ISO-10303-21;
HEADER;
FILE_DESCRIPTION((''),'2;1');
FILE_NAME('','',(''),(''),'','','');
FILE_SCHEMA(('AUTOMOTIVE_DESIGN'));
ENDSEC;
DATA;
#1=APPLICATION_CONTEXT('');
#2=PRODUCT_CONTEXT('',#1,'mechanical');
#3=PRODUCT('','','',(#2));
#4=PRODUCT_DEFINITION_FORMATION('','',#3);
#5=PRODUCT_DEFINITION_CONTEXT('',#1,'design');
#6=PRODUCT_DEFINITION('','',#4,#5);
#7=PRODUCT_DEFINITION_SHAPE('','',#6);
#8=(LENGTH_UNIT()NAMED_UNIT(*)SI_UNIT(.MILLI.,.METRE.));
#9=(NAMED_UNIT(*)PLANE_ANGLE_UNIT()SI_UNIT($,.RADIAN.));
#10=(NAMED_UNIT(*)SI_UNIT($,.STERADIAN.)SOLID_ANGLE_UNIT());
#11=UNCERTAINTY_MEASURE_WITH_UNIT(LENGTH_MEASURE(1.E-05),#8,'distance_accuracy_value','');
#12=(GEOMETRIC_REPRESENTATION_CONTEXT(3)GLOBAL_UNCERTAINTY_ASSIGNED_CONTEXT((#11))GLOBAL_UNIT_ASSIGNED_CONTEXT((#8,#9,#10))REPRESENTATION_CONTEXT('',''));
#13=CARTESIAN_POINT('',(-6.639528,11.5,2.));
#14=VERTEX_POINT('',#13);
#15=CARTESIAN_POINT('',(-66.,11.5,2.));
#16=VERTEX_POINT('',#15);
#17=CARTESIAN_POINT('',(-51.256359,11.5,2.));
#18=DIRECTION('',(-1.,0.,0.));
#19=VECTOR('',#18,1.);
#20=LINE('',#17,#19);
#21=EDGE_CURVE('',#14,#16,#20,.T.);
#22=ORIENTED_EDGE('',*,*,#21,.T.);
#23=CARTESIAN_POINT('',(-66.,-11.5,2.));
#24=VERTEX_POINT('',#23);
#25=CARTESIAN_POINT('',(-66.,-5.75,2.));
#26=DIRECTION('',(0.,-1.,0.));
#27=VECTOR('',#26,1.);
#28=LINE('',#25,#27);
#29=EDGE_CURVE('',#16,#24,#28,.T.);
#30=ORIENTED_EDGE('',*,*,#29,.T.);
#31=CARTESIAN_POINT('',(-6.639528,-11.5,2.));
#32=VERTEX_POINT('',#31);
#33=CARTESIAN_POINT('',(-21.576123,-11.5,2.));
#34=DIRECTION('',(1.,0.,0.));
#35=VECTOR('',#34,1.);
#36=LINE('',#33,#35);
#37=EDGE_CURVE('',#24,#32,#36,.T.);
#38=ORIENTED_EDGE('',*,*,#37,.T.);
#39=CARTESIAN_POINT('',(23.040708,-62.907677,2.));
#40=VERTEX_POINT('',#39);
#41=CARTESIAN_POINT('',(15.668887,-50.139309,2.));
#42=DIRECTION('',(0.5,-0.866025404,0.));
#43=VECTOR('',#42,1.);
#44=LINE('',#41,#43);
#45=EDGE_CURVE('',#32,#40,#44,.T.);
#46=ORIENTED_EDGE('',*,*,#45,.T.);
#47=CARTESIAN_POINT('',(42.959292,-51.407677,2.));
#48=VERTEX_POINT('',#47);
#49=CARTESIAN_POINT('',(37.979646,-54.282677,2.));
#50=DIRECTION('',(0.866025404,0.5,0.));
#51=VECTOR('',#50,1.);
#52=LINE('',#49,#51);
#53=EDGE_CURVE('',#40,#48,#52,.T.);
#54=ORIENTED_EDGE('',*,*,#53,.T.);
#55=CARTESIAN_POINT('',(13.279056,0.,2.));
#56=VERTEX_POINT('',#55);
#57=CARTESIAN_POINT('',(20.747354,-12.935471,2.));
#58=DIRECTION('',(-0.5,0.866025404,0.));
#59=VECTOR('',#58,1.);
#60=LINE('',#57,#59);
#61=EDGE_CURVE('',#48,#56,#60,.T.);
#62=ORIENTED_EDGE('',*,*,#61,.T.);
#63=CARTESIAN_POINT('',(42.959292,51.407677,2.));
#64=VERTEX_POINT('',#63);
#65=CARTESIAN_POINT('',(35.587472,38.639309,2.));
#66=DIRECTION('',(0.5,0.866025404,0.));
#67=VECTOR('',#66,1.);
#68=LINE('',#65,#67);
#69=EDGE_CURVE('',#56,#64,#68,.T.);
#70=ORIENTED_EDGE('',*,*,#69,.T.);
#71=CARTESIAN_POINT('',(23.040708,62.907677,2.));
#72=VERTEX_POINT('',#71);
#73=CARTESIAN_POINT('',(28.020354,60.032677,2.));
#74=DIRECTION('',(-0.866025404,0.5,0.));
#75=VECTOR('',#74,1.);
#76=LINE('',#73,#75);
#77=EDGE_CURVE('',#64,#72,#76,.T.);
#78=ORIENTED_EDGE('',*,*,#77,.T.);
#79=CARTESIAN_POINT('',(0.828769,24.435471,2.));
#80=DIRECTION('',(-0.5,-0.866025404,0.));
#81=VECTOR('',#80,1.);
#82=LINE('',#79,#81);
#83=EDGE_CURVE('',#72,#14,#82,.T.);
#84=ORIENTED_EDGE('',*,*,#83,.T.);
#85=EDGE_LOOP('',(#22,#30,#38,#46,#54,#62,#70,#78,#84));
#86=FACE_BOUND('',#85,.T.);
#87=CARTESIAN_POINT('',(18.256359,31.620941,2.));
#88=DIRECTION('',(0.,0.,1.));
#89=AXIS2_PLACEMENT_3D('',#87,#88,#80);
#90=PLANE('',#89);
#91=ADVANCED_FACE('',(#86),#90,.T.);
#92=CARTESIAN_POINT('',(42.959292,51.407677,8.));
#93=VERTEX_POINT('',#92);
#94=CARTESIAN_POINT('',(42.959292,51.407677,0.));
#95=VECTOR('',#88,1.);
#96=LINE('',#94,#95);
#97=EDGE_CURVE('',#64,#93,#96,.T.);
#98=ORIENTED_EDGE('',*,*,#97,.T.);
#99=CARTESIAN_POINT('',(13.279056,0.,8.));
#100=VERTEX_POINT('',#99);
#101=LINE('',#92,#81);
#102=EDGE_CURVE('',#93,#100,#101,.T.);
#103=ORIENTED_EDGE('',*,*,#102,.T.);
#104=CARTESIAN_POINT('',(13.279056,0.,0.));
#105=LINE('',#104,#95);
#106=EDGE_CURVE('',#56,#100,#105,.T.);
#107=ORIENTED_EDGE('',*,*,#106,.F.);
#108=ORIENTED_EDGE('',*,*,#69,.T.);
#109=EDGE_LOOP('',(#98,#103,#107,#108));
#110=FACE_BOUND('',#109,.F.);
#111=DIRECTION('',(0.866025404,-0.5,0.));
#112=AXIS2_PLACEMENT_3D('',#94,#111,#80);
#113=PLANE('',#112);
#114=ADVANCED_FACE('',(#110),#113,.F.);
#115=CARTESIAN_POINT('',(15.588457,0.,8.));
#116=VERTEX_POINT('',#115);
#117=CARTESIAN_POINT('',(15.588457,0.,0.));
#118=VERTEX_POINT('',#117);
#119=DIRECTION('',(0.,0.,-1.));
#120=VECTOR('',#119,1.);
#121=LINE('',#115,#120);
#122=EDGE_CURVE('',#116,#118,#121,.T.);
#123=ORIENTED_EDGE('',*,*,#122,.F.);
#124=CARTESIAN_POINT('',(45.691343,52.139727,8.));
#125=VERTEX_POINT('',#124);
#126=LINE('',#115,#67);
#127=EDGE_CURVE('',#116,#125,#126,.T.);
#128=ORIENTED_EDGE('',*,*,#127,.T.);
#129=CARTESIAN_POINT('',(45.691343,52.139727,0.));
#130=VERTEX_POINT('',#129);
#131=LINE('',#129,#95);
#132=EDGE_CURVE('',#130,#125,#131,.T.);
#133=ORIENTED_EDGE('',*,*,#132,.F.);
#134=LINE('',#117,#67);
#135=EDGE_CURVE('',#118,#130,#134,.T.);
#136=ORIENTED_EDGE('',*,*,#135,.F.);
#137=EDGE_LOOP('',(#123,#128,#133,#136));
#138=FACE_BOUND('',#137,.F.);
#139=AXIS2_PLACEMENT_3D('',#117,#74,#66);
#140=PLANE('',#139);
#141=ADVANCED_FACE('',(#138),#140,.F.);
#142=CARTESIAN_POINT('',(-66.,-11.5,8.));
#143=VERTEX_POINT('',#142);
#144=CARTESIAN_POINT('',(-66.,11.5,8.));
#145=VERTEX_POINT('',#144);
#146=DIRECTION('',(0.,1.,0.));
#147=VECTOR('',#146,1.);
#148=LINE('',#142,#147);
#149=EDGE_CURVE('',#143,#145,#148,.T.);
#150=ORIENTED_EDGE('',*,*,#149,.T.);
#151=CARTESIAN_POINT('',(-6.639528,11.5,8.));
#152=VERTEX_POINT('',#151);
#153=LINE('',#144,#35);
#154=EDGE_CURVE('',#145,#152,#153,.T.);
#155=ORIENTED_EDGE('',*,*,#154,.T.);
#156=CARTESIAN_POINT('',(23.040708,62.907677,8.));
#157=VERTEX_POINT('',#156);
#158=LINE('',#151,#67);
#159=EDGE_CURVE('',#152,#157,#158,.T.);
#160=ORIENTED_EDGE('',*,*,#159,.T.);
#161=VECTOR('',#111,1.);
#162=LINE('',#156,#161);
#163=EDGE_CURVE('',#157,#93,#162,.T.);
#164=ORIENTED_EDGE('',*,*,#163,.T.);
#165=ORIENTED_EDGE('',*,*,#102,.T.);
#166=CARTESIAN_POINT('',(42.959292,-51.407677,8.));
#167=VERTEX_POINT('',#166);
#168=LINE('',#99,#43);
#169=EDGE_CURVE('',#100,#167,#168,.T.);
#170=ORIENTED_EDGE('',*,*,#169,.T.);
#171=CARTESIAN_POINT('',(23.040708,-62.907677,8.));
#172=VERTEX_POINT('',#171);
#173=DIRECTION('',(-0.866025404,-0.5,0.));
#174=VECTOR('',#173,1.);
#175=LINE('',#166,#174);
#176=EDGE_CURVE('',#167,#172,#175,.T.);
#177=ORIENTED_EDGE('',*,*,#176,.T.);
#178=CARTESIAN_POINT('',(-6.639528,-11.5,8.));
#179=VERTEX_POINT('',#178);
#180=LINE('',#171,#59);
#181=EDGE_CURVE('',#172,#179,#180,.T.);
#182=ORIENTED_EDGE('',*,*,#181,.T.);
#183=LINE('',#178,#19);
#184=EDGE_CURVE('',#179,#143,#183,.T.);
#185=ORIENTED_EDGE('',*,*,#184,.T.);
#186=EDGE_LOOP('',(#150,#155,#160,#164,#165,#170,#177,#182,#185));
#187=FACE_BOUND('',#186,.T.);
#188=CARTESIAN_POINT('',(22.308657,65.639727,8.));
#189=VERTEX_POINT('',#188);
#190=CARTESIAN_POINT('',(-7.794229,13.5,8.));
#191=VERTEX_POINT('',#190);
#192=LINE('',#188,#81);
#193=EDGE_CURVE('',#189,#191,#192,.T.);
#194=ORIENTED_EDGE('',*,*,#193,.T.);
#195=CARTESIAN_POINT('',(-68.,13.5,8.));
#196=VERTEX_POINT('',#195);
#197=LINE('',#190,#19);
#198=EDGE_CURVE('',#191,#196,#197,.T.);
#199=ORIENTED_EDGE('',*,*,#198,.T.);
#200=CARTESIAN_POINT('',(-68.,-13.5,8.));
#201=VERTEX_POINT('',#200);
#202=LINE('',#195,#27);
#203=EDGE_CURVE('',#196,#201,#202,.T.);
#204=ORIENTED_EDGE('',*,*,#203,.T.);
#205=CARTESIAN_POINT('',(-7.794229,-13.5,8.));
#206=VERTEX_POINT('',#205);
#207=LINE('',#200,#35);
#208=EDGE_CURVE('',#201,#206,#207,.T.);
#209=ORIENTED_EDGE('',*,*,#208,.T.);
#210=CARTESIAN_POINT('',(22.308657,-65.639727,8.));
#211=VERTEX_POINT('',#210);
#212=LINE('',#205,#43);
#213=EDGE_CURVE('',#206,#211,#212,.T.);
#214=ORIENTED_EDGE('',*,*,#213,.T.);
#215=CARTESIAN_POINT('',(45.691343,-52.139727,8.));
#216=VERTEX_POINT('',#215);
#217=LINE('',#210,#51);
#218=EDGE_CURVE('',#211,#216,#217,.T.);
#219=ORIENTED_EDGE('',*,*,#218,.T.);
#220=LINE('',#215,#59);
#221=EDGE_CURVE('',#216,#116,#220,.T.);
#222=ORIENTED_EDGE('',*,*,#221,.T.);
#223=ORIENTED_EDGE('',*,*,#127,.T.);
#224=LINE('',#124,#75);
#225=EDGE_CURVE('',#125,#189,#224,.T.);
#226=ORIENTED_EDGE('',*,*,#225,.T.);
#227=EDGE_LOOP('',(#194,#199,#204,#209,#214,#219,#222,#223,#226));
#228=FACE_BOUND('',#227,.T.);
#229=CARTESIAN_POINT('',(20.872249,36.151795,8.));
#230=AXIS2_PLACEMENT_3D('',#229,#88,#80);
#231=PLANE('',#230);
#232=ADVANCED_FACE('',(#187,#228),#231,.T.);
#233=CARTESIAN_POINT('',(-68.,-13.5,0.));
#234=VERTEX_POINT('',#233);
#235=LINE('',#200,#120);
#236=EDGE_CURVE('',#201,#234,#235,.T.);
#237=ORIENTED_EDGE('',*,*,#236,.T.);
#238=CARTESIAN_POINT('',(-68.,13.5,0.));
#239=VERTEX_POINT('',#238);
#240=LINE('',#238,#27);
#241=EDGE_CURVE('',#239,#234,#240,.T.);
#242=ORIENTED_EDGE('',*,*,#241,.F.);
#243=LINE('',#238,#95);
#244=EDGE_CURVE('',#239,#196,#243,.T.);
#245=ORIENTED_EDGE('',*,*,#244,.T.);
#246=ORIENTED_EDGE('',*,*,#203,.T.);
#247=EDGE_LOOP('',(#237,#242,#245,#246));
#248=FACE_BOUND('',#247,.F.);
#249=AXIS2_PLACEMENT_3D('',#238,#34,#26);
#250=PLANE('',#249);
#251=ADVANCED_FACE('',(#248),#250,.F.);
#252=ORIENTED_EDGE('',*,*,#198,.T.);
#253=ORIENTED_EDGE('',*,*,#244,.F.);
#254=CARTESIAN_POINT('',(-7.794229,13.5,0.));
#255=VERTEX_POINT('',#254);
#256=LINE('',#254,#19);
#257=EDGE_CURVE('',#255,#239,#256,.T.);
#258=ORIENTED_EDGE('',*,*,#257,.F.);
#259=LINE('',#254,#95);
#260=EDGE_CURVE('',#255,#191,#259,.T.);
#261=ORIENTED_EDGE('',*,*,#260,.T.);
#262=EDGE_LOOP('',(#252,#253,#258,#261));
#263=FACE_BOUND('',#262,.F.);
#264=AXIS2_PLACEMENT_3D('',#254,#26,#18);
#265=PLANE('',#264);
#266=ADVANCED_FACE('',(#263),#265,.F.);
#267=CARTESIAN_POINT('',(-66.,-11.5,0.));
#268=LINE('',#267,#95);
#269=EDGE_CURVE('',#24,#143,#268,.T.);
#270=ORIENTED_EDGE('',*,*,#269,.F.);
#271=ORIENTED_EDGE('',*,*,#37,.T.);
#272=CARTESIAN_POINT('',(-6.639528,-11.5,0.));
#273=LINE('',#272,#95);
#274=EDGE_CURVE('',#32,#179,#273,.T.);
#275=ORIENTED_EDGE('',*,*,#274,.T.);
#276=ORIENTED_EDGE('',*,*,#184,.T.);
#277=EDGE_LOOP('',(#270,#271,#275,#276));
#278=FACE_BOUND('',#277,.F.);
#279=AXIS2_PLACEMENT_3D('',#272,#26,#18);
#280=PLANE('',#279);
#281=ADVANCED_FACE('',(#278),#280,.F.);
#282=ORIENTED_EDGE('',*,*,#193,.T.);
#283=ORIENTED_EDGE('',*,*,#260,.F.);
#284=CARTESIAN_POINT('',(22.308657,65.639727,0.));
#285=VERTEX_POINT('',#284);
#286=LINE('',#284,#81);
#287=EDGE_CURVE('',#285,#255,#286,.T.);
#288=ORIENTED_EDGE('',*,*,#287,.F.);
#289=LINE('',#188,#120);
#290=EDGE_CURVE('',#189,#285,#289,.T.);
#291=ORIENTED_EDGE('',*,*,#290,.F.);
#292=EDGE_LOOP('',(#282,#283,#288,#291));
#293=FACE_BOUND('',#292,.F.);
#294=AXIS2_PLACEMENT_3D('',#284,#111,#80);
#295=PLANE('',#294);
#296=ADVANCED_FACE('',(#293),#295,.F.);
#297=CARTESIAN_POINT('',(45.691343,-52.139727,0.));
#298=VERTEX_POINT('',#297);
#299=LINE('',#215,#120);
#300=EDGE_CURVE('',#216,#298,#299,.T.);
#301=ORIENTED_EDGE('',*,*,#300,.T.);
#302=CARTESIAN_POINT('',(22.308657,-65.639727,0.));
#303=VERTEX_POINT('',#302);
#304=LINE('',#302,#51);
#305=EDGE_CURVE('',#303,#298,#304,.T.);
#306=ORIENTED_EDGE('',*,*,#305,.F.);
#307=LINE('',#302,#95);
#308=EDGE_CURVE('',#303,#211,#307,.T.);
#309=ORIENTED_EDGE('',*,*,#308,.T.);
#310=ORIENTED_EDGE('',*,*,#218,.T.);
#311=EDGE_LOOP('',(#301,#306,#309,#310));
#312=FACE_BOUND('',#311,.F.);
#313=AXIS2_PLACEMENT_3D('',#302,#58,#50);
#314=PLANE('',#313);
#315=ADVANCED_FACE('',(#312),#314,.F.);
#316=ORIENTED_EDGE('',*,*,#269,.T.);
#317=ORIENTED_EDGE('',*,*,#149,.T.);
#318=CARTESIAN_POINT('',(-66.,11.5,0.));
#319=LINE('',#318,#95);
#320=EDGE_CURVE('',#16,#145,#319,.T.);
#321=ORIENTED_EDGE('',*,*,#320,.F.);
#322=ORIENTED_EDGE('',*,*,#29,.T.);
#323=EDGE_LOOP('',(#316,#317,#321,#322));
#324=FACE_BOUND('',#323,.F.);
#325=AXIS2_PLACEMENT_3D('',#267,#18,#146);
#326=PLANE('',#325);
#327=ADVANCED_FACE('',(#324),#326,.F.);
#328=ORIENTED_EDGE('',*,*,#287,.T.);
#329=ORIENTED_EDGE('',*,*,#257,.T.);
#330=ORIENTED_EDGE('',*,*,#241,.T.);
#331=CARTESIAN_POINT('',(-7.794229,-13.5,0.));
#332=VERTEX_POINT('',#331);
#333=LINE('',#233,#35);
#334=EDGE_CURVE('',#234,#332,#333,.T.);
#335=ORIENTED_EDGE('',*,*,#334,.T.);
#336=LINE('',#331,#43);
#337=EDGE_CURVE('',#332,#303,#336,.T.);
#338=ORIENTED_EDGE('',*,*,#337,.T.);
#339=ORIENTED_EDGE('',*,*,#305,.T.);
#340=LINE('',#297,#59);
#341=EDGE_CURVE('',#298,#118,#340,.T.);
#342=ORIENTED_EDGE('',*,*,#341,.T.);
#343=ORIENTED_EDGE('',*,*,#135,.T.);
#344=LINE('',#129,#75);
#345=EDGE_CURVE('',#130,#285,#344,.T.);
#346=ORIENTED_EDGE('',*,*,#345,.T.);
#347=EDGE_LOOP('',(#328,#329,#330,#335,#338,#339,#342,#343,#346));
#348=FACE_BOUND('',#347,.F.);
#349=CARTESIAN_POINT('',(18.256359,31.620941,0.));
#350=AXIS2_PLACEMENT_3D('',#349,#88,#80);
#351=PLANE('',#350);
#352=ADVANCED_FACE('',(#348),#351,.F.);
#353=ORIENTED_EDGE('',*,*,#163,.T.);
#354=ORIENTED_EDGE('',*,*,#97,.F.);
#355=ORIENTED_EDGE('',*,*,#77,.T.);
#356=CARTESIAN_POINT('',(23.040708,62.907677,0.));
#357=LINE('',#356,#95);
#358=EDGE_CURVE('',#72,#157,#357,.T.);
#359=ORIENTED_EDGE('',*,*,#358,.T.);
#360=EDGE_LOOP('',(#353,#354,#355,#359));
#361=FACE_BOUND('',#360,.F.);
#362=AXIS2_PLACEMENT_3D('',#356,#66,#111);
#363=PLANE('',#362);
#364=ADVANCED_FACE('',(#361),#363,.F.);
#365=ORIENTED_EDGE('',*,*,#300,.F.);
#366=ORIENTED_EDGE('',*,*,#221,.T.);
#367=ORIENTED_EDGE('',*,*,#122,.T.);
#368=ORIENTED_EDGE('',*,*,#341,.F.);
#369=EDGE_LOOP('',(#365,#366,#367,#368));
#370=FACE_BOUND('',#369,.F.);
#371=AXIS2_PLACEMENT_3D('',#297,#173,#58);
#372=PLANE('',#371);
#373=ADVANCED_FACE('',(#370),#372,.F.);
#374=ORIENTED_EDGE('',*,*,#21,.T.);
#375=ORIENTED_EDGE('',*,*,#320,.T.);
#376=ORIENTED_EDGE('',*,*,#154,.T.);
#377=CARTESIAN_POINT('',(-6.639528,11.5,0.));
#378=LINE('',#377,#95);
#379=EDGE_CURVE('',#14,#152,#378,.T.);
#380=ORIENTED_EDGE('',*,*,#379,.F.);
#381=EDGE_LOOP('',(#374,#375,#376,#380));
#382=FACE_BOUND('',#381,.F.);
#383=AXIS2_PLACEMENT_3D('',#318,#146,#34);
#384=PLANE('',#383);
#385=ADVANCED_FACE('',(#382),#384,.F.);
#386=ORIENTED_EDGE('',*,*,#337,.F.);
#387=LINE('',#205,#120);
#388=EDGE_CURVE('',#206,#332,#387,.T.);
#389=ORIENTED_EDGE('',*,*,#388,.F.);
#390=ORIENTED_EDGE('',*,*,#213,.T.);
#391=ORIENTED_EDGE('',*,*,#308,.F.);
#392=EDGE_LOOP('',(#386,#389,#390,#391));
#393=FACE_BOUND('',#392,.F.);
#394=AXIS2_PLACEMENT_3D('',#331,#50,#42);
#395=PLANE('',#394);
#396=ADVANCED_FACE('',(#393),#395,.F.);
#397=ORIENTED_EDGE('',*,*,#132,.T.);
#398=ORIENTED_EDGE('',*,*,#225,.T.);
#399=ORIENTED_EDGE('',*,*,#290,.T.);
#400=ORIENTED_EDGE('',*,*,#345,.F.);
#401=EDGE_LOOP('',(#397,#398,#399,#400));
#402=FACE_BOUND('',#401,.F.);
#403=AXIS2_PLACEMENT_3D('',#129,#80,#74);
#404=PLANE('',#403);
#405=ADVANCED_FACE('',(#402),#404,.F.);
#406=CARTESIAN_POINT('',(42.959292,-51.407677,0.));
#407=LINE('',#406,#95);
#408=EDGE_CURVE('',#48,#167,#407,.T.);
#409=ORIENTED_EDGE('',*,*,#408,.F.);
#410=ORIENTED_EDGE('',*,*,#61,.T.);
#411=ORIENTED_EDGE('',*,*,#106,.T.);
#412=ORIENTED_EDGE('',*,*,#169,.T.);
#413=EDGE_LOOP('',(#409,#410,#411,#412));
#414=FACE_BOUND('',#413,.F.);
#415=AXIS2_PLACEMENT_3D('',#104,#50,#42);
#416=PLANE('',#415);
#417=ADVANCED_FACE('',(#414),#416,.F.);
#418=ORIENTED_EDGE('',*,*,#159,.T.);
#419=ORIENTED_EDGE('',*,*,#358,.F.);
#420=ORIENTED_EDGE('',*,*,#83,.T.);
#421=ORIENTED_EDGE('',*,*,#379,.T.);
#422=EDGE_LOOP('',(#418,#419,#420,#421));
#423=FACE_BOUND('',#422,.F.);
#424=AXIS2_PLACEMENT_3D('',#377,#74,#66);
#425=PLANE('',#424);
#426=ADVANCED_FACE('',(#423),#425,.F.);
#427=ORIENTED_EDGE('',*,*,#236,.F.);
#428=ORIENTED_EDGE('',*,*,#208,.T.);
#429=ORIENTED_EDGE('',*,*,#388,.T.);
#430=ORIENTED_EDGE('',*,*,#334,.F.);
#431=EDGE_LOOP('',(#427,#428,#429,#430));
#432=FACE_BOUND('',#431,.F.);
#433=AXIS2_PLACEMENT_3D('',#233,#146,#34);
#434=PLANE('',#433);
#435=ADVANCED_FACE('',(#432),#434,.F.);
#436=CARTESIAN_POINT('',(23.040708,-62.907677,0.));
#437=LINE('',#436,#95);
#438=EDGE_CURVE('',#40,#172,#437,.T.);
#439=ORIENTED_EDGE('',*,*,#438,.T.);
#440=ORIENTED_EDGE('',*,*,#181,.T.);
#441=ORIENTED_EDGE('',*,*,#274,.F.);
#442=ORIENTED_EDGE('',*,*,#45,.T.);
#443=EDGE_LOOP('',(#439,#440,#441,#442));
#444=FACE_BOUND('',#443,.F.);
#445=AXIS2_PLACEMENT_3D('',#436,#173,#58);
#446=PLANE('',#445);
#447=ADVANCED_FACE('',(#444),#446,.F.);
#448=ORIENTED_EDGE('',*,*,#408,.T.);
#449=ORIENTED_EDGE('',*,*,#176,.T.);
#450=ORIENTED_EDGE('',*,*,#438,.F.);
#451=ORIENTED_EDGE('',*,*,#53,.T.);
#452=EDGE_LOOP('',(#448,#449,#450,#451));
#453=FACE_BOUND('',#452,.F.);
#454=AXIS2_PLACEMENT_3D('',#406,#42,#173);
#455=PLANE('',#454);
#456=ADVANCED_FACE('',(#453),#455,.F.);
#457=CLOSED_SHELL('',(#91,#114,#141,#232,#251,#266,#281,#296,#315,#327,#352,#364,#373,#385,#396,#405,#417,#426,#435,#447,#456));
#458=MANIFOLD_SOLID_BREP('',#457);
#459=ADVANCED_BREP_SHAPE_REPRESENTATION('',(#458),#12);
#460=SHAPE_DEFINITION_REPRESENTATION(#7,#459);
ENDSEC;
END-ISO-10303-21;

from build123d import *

# Parameters (mm, degrees)
PAD002_DEPTH = 8
PAD_DEPTH    = 2
ARRAY_COUNT  = 3


with BuildPart() as pad002:
    # Sketch002 → Pad002 (new body)
    with BuildSketch(Plane.XY):
        Polygon((-6.6395280957, 11.5), (-7.7942286341, 13.5), (-68, 13.5), (-68, -13.5), (-7.7942286341, -13.5), (-6.6395280957, -11.5), (-66, -11.5), (-66, 11.5), align=None)
    extrude(amount=PAD002_DEPTH)


with BuildPart() as array:
    # Sketch → Pad (new body)
    with BuildSketch(Plane.XY):
        Polygon((0, 0), (-7.7942286341, 13.5), (-68, 13.5), (-68, -13.5), (-7.7942286341, -13.5), align=None)
    extrude(amount=PAD_DEPTH)

    # Fusion: union Pad002
    add(pad002.part)

    # Array: Array ×3 about axis
    array_axis = Axis((0, 0, 0), (0, 0, 1))


with BuildPart() as array_1:
    add(array.part)
    for i in range(1, ARRAY_COUNT):
        add(array.part.rotate(array_axis, i * 360 / ARRAY_COUNT))


solid = array_1.part
